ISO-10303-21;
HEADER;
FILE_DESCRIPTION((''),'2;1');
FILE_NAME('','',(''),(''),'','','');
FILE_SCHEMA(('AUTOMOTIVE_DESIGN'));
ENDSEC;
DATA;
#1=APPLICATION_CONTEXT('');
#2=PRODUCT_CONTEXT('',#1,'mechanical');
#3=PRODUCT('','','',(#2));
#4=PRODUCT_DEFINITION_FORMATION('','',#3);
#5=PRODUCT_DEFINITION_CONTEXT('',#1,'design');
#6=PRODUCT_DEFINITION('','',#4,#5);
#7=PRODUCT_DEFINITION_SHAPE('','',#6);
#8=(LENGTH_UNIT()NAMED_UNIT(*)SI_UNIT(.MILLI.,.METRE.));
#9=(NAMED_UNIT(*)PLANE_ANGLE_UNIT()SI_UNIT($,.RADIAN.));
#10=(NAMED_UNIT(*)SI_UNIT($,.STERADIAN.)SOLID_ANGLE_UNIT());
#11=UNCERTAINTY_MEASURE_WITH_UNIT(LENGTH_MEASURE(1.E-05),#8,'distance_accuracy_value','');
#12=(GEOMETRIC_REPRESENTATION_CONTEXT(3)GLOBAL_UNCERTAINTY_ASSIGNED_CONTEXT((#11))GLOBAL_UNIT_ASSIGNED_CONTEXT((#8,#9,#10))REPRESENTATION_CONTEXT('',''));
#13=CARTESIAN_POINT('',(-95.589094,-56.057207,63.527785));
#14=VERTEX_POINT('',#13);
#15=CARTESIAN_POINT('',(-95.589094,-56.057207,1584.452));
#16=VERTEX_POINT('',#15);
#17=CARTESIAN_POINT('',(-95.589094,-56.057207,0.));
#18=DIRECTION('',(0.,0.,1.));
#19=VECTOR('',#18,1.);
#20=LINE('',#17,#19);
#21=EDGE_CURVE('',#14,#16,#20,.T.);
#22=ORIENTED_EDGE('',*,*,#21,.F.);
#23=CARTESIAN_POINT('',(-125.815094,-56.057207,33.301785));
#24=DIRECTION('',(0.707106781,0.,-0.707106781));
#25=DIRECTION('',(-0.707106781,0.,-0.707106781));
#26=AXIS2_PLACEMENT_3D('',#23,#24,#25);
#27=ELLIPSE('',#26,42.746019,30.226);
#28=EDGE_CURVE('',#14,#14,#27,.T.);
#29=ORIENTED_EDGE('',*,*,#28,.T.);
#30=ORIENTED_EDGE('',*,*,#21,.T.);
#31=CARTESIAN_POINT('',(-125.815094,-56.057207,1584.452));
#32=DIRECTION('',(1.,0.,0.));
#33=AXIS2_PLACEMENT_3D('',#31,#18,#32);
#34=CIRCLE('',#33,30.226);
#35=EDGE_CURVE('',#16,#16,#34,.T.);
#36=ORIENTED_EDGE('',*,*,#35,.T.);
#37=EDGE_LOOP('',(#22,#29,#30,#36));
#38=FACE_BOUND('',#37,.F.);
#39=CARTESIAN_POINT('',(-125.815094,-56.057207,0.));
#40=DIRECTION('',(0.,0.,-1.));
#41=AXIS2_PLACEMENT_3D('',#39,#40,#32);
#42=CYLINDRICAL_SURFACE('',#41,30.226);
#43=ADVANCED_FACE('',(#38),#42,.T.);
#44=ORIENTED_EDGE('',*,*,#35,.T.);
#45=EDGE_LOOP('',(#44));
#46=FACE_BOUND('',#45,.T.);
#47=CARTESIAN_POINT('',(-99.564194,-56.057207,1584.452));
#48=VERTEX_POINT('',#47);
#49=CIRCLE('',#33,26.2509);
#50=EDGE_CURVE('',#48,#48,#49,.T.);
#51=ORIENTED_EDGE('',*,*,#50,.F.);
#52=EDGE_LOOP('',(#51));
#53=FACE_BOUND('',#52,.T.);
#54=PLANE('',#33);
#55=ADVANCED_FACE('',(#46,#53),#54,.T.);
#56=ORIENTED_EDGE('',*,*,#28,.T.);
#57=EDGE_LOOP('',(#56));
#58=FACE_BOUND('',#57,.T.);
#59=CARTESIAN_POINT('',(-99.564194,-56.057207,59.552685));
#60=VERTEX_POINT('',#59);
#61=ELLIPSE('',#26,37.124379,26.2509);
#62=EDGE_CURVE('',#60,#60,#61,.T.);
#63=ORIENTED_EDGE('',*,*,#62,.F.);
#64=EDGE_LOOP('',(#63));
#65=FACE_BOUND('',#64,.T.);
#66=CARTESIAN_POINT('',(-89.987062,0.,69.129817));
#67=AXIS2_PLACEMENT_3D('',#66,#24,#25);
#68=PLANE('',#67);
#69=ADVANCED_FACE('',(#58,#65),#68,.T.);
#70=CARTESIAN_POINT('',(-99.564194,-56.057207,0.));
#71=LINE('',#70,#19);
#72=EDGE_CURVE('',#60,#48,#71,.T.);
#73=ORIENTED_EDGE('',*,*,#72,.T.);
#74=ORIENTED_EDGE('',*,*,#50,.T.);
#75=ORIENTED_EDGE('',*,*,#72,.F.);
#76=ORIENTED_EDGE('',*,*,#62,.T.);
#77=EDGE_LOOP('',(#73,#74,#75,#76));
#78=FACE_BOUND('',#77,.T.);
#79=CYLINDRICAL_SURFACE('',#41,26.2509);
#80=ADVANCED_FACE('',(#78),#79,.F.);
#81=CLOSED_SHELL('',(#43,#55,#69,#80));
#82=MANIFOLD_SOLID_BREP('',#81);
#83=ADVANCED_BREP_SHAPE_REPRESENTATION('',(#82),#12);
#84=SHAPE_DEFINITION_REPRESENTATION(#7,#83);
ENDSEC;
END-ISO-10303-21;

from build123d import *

# Parameters (mm, degrees)
F0_R     = 30.226
F0_R_2   = 26.2509
F1_DEPTH = 1584.452
F3_DEPTH = 103.124


with BuildPart() as f1:
    # F0 (on Top) → F1 (new body)
    with BuildSketch(Plane.XY):
        with Locations((-125.815094, -56.057207)):
            Circle(F0_R)
        with Locations((-125.815094, -56.057207)):
            Circle(F0_R_2, mode=Mode.SUBTRACT)
    extrude(amount=F1_DEPTH)

    # F2 (on Front) → F3 (cut)
    with BuildSketch(Plane.XZ):
        Polygon((-89.987062, 69.129817), (-159.116879, 0), (-88.816114, 0), align=None)
    extrude(amount=F3_DEPTH, mode=Mode.SUBTRACT)


solid = f1.part
